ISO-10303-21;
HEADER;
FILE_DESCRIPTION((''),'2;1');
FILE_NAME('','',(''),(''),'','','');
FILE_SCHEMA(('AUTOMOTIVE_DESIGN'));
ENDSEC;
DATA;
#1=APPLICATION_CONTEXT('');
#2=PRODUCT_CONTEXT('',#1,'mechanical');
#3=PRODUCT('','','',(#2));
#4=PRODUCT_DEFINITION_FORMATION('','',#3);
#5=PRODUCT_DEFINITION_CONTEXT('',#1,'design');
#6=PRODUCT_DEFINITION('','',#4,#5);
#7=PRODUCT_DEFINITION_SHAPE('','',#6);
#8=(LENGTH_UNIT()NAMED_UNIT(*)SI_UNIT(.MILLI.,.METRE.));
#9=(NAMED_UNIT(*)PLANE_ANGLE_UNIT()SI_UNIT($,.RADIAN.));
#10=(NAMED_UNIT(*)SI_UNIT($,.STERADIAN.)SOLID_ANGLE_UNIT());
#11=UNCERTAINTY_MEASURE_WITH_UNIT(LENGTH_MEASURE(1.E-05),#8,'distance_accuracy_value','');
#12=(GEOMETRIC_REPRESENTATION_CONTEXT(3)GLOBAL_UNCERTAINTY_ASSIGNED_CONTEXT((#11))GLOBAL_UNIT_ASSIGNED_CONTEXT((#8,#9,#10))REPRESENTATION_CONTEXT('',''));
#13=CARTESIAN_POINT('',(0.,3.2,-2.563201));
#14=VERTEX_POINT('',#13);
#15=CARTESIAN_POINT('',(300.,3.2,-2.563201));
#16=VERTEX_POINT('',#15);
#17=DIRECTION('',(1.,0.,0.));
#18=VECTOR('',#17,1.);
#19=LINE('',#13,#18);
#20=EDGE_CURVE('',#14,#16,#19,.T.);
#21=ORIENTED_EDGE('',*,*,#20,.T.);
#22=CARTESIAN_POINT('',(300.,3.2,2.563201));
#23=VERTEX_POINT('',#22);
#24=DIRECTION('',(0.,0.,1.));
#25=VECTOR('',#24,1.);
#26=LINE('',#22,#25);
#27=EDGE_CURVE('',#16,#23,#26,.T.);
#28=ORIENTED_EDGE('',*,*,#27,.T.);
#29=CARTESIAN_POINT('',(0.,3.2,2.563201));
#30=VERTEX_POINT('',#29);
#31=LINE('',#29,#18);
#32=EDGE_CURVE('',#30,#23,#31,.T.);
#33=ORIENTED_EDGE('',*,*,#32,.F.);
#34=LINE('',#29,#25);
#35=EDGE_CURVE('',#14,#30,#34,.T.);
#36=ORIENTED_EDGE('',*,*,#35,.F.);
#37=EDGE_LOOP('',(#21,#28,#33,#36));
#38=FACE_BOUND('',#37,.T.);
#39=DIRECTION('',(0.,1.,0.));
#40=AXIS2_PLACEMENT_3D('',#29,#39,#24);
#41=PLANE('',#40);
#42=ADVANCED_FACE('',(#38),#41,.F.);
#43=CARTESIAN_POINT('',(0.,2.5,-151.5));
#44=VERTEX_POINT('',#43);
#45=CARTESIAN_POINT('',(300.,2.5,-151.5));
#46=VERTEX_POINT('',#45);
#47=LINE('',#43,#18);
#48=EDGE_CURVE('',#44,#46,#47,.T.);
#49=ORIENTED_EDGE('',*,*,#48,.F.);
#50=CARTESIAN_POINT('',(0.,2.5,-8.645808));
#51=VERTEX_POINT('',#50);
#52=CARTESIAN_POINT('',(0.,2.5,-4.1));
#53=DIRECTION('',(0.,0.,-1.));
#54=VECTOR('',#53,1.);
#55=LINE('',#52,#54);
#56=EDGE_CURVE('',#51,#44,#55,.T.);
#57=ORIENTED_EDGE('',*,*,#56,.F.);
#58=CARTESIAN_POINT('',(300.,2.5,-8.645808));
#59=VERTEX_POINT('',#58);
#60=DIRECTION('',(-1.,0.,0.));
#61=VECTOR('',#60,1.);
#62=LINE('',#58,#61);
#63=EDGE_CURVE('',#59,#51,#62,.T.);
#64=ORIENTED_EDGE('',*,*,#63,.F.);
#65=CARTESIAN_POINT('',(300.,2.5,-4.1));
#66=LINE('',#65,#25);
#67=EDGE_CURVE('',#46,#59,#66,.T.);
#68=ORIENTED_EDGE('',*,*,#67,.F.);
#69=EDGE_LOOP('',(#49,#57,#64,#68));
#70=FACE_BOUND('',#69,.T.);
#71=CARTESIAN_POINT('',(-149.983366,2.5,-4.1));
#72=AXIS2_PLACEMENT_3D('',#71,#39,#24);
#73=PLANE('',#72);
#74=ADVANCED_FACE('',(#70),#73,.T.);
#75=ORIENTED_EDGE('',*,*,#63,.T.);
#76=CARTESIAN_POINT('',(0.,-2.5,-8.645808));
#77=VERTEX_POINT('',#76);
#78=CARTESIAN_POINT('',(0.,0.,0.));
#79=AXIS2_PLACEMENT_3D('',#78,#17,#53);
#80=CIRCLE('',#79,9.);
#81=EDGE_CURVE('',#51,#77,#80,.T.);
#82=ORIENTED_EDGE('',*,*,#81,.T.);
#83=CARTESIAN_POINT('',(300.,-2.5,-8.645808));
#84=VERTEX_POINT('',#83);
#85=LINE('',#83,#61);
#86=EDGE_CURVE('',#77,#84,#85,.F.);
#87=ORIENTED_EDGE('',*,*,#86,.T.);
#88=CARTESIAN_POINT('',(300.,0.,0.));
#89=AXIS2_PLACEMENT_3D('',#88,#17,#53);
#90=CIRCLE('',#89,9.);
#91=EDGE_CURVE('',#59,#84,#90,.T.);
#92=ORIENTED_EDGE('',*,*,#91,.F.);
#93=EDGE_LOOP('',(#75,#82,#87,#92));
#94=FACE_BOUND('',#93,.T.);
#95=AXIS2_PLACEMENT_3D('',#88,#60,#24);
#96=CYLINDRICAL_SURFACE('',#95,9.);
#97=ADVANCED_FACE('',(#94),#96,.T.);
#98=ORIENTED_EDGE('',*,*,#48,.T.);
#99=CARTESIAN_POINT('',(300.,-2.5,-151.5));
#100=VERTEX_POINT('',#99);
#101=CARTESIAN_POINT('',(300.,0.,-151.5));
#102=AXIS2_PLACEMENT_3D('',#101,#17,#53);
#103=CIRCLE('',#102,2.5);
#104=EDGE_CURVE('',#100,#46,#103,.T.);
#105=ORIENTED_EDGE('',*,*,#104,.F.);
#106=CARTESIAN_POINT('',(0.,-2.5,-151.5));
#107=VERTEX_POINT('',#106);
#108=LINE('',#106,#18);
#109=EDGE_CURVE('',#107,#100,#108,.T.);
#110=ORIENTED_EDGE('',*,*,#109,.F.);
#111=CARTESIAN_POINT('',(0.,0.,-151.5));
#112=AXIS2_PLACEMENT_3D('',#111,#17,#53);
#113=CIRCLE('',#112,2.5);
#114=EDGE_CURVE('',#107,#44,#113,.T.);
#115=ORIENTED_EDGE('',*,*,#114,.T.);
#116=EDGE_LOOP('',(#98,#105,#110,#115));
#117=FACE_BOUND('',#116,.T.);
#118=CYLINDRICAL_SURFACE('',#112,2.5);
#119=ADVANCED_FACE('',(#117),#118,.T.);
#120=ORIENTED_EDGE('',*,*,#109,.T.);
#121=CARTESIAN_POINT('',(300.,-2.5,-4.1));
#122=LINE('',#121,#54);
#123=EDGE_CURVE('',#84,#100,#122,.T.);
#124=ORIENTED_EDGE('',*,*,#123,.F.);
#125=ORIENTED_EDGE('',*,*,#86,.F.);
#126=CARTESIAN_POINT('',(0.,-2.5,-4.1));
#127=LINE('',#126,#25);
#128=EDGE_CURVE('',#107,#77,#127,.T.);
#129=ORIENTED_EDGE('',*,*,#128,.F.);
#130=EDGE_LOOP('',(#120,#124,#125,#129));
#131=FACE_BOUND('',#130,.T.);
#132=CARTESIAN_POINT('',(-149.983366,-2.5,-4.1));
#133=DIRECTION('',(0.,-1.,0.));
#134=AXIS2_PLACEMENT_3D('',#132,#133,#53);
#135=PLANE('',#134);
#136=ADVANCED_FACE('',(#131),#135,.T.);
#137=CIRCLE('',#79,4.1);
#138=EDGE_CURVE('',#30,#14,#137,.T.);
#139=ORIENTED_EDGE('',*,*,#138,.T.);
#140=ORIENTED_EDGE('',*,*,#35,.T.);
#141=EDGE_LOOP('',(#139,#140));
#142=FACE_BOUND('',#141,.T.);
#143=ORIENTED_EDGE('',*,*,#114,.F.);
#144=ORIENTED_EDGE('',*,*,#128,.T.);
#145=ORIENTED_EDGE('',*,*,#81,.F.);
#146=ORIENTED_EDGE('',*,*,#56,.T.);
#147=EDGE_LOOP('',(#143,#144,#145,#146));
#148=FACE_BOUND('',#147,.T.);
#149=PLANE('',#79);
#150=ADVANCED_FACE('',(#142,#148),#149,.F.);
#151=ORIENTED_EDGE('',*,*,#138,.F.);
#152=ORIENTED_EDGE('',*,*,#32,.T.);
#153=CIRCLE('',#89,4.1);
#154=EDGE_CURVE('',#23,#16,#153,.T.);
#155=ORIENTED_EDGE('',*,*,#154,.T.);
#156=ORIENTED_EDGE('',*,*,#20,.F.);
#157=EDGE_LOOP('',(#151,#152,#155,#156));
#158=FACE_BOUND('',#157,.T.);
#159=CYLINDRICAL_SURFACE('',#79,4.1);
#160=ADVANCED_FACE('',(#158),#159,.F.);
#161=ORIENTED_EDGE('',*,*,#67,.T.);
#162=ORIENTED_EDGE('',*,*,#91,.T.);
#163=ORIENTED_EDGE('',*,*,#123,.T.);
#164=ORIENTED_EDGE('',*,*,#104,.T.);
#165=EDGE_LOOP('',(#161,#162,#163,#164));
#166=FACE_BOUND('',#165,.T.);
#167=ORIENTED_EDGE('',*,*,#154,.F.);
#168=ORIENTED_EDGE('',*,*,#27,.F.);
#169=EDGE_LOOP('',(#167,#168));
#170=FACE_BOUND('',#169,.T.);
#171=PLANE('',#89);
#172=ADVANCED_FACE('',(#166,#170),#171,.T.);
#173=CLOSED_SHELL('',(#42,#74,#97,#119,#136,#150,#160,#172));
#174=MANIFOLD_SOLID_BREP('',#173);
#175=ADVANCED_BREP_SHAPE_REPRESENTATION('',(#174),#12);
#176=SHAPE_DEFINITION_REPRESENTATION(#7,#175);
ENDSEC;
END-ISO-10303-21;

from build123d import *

# Parameters (mm, degrees)
SKETCH1_R               = 9
BOSS_EXTRUDE1_DEPTH     = 300
CUT_EXTRUDE1_DEPTH      = 301.269878609
CUT_EXTRUDE1_DEPTH_BACK = 301.269878609
SKETCH3_W               = 149.9
SKETCH3_H               = 5
BOSS_EXTRUDE2_DEPTH     = 300
CUT_EXTRUDE2_DEPTH      = 338.338109321
CUT_EXTRUDE2_DEPTH_BACK = 338.338109321


with BuildPart() as part:
    # Sketch1 → Boss-Extrude1 (new body)
    with BuildSketch(Plane(origin=(0, 0, 0), x_dir=(0, 0, -1), z_dir=(1, 0, 0))):
        Circle(SKETCH1_R)
    extrude(amount=BOSS_EXTRUDE1_DEPTH)

    # Sketch2 → Cut-Extrude1 (cut, two sides: drawn at the far end of the back side and taken through both)
    with BuildSketch(Plane(origin=(300, 0, 0), x_dir=(0, 0, -1), z_dir=(1, 0, 0)).offset(-CUT_EXTRUDE1_DEPTH_BACK)):
        with BuildLine():
            Line((-2.563201124, 3.2), (2.563201124, 3.2))
            ThreePointArc((2.563201124, 3.2), (0, -4.1), (-2.563201124, 3.2))
        make_face()
    extrude(amount=CUT_EXTRUDE1_DEPTH + CUT_EXTRUDE1_DEPTH_BACK, mode=Mode.SUBTRACT)

    # Sketch3 → Boss-Extrude2 (add)
    with BuildSketch(Plane(origin=(300, 0, 0), x_dir=(0, 0, -1), z_dir=(1, 0, 0))):
        with Locations((79.05, 0)):
            Rectangle(SKETCH3_W, SKETCH3_H)
    extrude(amount=-BOSS_EXTRUDE2_DEPTH)

    # Sketch4 → Cut-Extrude2 (cut, two sides: drawn at the far end of the back side and taken through both)
    with BuildSketch(Plane(origin=(300, 0, 0), x_dir=(0, 0, -1), z_dir=(1, 0, 0)).offset(-CUT_EXTRUDE2_DEPTH_BACK)):
        with BuildLine():
            Line((154, 2.5), (151.5, 2.5))
            ThreePointArc((151.5, 2.5), (153.267766953, 1.767766953), (154, 0))
            Line((154, 0), (154, 2.5))
        make_face()
        with BuildLine():
            Line((154, -2.5), (154, 0))
            ThreePointArc((154, 0), (153.267766953, -1.767766953), (151.5, -2.5))
            Line((151.5, -2.5), (154, -2.5))
        make_face()
    extrude(amount=CUT_EXTRUDE2_DEPTH + CUT_EXTRUDE2_DEPTH_BACK, mode=Mode.SUBTRACT)


solid = part.part
